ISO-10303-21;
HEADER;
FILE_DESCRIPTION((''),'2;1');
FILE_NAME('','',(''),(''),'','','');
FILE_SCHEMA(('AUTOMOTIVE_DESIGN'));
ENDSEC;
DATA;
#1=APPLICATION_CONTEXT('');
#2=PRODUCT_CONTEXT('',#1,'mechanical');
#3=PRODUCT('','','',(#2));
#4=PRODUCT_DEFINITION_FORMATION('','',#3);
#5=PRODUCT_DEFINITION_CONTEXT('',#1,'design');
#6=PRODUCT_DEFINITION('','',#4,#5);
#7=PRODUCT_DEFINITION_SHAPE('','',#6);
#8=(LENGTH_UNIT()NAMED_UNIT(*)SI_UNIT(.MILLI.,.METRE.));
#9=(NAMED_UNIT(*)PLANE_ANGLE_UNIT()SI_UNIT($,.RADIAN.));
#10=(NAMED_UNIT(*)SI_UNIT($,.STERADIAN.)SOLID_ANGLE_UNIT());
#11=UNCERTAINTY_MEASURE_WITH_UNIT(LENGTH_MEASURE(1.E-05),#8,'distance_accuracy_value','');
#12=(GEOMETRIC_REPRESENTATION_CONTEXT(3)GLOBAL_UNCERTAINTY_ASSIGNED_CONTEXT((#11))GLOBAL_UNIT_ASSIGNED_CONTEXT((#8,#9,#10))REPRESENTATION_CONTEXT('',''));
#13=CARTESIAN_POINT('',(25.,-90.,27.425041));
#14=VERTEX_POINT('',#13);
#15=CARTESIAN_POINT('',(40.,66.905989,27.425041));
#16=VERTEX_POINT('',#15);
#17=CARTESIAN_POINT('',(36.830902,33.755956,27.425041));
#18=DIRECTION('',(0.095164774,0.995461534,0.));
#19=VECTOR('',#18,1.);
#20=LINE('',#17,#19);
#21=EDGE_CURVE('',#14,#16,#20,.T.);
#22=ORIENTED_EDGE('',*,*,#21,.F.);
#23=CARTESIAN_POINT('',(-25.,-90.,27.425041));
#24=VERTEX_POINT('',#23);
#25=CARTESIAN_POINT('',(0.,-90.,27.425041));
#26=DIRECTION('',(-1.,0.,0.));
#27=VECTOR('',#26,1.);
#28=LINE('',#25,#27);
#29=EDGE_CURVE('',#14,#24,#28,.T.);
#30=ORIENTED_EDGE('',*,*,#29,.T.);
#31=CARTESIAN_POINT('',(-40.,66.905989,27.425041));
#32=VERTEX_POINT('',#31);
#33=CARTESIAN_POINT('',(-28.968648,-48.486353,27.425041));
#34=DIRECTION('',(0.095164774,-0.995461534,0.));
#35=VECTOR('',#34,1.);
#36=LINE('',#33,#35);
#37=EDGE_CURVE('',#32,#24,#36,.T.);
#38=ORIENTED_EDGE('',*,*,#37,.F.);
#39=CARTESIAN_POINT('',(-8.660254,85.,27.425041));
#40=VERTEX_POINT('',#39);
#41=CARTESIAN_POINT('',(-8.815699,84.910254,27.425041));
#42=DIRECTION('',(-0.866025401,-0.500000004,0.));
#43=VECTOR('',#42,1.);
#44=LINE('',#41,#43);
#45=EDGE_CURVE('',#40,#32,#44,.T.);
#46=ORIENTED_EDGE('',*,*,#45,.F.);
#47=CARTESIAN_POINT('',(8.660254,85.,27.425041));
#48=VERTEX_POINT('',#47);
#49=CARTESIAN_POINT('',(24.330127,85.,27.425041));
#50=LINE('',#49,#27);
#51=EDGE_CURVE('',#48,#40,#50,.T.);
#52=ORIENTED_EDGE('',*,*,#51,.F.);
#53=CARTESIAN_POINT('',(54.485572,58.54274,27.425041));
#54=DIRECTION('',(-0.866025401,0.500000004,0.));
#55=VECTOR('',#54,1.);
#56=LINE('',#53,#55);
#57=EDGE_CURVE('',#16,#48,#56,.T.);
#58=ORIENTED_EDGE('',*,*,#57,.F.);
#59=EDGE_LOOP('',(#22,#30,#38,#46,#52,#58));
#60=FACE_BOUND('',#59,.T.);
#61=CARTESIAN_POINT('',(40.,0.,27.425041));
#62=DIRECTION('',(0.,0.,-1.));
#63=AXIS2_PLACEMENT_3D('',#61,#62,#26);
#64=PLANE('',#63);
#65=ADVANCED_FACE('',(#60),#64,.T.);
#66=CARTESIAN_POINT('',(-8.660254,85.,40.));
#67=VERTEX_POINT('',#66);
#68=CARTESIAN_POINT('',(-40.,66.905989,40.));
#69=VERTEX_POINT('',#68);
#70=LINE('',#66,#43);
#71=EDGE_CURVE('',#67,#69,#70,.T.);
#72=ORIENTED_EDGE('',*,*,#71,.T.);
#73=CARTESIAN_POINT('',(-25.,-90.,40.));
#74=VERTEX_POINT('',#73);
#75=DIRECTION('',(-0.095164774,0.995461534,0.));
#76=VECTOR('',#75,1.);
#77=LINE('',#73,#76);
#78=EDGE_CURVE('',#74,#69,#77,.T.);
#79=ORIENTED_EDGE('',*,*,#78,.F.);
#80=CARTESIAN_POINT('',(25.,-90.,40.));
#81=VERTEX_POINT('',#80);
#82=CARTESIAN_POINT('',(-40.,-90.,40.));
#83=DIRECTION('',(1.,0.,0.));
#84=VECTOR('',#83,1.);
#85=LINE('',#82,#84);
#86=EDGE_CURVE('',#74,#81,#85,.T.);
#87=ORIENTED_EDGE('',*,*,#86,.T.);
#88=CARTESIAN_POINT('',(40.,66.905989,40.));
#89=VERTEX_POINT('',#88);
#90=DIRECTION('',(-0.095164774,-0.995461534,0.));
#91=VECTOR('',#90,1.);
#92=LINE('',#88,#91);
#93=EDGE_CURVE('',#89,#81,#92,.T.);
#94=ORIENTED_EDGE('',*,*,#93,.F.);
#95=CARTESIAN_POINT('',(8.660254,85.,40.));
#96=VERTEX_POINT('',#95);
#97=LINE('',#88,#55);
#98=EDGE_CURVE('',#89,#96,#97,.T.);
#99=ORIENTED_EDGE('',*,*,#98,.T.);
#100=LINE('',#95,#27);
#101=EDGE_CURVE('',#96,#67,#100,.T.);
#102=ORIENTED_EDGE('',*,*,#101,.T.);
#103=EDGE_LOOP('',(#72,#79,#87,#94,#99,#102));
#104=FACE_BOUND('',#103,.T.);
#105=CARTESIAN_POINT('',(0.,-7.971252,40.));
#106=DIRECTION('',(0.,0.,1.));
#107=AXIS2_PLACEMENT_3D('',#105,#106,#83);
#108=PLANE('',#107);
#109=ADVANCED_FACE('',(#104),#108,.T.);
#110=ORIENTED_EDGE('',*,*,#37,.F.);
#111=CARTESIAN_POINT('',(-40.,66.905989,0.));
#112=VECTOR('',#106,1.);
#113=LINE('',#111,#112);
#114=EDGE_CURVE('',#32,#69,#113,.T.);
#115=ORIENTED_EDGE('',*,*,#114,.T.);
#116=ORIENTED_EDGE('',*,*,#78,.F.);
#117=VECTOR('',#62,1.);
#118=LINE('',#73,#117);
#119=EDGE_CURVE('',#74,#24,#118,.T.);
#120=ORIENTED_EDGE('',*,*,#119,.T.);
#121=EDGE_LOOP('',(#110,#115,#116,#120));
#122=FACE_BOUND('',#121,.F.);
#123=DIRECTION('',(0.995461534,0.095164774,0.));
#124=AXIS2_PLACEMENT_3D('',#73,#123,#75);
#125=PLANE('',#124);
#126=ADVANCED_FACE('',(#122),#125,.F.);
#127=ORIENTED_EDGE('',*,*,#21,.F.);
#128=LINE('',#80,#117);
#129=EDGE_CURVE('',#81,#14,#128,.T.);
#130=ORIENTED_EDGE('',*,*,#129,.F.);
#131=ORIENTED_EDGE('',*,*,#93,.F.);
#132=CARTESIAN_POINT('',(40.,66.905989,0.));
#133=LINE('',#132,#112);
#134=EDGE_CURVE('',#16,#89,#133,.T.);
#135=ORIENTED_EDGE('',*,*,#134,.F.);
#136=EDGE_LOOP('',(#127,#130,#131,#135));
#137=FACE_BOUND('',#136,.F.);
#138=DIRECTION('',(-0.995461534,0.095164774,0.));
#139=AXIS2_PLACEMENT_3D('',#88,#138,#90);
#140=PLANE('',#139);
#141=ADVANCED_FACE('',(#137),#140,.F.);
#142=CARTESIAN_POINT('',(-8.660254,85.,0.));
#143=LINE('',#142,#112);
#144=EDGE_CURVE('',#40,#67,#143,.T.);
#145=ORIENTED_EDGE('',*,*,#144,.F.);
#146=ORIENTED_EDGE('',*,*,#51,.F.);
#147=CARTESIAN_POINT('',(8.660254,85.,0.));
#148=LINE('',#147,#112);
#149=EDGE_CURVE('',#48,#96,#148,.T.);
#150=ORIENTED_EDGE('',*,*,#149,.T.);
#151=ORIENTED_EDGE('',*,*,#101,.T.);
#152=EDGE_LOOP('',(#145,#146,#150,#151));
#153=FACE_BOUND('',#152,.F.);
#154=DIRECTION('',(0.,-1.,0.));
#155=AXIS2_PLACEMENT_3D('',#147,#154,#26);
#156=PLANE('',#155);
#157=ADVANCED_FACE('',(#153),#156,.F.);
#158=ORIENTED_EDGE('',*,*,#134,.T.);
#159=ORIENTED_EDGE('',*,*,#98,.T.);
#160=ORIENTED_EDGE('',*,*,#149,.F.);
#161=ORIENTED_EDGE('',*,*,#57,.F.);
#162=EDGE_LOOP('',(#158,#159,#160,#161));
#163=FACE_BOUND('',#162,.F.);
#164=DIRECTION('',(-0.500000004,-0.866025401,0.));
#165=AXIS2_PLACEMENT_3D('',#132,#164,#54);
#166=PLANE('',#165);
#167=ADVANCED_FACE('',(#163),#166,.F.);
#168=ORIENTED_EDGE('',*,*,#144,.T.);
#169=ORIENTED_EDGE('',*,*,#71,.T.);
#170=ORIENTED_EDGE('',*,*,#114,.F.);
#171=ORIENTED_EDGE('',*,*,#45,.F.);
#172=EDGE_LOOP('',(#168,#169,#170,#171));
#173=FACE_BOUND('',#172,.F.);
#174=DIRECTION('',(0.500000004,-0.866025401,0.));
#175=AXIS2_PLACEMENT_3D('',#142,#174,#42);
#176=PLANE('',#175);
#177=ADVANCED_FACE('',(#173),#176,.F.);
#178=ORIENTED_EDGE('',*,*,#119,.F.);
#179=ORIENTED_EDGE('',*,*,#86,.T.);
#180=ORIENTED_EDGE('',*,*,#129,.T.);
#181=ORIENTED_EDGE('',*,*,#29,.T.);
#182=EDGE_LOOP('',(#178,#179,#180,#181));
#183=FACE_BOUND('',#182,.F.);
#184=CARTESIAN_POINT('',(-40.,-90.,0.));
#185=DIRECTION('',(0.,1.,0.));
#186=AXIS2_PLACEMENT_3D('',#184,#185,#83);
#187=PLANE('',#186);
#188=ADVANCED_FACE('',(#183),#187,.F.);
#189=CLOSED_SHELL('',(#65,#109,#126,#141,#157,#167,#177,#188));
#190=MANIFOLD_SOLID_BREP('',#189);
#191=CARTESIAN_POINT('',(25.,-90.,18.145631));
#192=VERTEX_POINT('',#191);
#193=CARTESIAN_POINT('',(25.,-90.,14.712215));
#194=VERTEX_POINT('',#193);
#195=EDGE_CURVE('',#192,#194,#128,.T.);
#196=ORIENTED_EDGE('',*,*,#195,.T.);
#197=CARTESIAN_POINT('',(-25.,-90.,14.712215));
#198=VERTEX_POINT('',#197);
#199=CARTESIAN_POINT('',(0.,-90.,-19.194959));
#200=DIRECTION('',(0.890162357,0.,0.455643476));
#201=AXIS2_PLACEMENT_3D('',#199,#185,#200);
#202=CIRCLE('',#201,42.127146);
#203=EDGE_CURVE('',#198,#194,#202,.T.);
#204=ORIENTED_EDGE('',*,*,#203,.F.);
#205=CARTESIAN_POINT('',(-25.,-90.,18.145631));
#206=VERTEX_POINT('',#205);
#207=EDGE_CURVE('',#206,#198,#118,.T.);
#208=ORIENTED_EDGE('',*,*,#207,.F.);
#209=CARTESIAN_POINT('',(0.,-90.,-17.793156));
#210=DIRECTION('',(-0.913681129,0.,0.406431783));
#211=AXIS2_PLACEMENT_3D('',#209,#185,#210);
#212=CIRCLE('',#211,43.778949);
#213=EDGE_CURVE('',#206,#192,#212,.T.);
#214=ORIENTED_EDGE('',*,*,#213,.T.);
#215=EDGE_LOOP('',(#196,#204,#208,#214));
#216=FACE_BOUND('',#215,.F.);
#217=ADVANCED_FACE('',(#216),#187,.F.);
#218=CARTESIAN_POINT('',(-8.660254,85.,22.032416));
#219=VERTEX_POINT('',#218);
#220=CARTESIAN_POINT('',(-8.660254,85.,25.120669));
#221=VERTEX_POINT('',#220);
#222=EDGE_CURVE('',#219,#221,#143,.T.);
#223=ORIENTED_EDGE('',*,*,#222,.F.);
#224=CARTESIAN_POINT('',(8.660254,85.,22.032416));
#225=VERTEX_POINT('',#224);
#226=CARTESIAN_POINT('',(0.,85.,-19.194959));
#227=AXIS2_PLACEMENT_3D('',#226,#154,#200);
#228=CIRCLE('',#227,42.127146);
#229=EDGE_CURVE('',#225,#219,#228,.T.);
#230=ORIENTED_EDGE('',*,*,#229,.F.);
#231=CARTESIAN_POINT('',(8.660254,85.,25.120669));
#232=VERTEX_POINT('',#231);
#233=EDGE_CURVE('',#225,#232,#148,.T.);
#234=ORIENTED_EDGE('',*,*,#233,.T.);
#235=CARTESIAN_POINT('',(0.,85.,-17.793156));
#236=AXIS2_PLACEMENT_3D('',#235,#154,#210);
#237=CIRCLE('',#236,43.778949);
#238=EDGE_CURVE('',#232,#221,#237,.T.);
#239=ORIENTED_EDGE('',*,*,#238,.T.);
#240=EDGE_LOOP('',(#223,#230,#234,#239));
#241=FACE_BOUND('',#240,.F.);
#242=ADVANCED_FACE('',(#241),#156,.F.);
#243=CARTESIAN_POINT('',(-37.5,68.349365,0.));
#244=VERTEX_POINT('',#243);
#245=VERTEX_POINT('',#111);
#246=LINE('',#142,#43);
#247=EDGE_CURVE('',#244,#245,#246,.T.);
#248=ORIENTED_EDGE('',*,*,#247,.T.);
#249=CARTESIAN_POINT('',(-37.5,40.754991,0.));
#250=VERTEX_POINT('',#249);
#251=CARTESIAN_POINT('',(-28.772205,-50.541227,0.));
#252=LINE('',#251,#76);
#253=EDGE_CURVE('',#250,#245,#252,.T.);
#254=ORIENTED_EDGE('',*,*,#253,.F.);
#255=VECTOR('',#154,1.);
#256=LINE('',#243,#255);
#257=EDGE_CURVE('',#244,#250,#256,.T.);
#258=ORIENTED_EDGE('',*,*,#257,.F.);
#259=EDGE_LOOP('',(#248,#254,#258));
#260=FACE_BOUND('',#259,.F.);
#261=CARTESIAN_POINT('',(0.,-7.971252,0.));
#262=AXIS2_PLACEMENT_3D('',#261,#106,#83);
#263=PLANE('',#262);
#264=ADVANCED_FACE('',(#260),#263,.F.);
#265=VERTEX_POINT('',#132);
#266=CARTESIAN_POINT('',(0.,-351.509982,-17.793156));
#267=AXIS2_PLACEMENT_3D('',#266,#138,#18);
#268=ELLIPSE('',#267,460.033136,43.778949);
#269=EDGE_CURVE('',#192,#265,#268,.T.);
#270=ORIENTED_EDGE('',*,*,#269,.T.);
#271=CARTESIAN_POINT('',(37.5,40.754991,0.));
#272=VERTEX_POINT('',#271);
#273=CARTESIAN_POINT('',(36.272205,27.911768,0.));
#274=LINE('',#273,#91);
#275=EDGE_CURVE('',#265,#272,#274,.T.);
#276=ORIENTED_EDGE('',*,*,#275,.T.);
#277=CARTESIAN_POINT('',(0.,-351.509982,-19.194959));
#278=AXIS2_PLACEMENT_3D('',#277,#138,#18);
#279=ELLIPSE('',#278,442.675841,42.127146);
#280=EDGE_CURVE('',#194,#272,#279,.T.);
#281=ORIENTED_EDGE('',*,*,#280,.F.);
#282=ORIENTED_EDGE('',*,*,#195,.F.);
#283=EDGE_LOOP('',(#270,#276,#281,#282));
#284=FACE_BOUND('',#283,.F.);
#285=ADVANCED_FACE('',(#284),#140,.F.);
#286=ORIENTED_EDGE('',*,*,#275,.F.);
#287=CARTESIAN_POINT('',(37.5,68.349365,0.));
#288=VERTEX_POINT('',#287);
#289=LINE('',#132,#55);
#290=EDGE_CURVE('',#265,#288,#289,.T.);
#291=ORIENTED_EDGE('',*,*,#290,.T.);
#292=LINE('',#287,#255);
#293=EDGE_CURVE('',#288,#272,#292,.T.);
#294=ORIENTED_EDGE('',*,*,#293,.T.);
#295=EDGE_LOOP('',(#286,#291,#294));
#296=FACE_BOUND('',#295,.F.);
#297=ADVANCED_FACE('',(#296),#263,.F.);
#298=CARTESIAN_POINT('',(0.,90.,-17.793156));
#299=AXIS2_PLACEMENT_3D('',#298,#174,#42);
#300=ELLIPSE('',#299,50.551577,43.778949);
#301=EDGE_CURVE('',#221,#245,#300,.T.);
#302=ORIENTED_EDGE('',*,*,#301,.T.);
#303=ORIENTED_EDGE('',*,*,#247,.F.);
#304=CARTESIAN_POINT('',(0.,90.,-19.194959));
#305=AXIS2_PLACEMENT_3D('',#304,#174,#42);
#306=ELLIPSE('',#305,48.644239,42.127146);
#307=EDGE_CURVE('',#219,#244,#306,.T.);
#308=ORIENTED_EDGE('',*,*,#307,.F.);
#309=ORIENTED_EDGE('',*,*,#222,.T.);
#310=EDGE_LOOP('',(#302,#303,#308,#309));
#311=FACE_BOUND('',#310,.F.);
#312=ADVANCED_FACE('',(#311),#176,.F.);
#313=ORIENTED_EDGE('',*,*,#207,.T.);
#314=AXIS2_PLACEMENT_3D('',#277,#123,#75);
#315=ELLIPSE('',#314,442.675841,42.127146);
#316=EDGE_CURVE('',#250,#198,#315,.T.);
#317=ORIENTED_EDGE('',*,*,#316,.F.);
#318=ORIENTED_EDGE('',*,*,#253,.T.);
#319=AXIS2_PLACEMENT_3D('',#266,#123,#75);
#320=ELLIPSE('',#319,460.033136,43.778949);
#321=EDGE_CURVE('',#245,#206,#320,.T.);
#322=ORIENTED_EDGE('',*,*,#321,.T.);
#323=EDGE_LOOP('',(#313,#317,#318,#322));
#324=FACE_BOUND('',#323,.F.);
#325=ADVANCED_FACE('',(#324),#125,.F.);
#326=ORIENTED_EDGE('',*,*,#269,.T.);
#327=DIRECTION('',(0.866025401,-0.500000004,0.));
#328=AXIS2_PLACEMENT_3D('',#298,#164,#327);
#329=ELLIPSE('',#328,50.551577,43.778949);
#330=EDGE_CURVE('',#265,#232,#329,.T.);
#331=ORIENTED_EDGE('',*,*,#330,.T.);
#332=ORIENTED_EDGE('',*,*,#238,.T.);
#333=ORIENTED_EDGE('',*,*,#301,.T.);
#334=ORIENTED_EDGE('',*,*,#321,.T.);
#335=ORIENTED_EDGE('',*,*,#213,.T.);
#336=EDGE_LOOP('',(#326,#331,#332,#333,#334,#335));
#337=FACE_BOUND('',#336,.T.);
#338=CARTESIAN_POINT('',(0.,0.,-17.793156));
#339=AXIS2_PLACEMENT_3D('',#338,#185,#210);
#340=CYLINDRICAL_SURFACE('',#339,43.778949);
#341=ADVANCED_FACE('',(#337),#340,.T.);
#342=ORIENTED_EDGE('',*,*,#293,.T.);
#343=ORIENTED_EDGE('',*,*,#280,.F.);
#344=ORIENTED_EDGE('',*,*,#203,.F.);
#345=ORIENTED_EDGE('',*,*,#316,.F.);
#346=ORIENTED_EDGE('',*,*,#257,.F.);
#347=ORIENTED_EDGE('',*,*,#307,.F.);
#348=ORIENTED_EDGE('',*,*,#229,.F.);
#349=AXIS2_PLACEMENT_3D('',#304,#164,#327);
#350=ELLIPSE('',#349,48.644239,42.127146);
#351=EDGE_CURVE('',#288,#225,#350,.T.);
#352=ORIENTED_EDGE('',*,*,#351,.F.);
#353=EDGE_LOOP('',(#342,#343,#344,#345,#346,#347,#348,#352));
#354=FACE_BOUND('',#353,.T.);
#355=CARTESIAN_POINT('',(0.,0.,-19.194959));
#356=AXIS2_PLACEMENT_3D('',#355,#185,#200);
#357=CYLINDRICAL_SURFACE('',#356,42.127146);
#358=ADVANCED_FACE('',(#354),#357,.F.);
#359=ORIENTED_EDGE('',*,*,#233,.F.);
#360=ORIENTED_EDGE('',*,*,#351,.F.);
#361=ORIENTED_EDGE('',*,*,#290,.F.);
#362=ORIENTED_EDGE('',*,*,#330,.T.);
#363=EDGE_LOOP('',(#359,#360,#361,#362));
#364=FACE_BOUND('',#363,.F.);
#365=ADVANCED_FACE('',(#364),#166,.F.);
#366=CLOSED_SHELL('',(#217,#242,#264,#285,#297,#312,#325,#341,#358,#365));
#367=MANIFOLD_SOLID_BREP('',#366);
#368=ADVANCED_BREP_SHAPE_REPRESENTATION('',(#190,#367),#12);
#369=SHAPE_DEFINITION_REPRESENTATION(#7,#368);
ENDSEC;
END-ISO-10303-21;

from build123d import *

# Parameters (mm, degrees)
F1_DEPTH = 40
F3_DEPTH = 85.001
F4_DEPTH = 90.001
F6_DEPTH = 40.001


with BuildPart() as f1:
    # F0 (on Top) → F1 (new body)
    with BuildSketch(Plane.XY):
        Polygon((-40, -90), (40, -90), (40, 66.905989), (8.660254, 85), (-8.660254, 85), (-40, 66.905989), align=None)
    extrude(amount=F1_DEPTH)

    # F2 (on Front) → F3 (cut, through all)
    with BuildSketch(Plane.XZ):
        with BuildLine():
            Line((-37.5, 0), (37.5, 0))
            ThreePointArc((37.5, 0), (0, 22.932187), (-37.5, 0))
        make_face()
        with BuildLine():
            ThreePointArc((-40, 0), (0, 25.985793), (40, 0))
            Line((40, 0), (40, 27.425041))
            Line((40, 27.425041), (-40, 27.425041))
            Line((-40, 27.425041), (-40, 0))
        make_face()
    extrude(amount=-F3_DEPTH, mode=Mode.SUBTRACT)

    # F2 (on Front) → F4 (cut, through all)
    with BuildSketch(Plane.XZ):
        with BuildLine():
            Line((-37.5, 0), (37.5, 0))
            ThreePointArc((37.5, 0), (0, 22.932187), (-37.5, 0))
        make_face()
        with BuildLine():
            ThreePointArc((-40, 0), (0, 25.985793), (40, 0))
            Line((40, 0), (40, 27.425041))
            Line((40, 27.425041), (-40, 27.425041))
            Line((-40, 27.425041), (-40, 0))
        make_face()
    extrude(amount=F4_DEPTH, mode=Mode.SUBTRACT)

    # F5 (on face) → F6 (cut, through all)
    with BuildSketch(Plane.XY.offset(40)):
        Polygon((-25, -90), (-40, 66.905989), (-40, -90), align=None)
        Polygon((40, 66.905989), (25, -90), (40, -90), align=None)
    extrude(amount=-F6_DEPTH, mode=Mode.SUBTRACT)


solid = f1.part
